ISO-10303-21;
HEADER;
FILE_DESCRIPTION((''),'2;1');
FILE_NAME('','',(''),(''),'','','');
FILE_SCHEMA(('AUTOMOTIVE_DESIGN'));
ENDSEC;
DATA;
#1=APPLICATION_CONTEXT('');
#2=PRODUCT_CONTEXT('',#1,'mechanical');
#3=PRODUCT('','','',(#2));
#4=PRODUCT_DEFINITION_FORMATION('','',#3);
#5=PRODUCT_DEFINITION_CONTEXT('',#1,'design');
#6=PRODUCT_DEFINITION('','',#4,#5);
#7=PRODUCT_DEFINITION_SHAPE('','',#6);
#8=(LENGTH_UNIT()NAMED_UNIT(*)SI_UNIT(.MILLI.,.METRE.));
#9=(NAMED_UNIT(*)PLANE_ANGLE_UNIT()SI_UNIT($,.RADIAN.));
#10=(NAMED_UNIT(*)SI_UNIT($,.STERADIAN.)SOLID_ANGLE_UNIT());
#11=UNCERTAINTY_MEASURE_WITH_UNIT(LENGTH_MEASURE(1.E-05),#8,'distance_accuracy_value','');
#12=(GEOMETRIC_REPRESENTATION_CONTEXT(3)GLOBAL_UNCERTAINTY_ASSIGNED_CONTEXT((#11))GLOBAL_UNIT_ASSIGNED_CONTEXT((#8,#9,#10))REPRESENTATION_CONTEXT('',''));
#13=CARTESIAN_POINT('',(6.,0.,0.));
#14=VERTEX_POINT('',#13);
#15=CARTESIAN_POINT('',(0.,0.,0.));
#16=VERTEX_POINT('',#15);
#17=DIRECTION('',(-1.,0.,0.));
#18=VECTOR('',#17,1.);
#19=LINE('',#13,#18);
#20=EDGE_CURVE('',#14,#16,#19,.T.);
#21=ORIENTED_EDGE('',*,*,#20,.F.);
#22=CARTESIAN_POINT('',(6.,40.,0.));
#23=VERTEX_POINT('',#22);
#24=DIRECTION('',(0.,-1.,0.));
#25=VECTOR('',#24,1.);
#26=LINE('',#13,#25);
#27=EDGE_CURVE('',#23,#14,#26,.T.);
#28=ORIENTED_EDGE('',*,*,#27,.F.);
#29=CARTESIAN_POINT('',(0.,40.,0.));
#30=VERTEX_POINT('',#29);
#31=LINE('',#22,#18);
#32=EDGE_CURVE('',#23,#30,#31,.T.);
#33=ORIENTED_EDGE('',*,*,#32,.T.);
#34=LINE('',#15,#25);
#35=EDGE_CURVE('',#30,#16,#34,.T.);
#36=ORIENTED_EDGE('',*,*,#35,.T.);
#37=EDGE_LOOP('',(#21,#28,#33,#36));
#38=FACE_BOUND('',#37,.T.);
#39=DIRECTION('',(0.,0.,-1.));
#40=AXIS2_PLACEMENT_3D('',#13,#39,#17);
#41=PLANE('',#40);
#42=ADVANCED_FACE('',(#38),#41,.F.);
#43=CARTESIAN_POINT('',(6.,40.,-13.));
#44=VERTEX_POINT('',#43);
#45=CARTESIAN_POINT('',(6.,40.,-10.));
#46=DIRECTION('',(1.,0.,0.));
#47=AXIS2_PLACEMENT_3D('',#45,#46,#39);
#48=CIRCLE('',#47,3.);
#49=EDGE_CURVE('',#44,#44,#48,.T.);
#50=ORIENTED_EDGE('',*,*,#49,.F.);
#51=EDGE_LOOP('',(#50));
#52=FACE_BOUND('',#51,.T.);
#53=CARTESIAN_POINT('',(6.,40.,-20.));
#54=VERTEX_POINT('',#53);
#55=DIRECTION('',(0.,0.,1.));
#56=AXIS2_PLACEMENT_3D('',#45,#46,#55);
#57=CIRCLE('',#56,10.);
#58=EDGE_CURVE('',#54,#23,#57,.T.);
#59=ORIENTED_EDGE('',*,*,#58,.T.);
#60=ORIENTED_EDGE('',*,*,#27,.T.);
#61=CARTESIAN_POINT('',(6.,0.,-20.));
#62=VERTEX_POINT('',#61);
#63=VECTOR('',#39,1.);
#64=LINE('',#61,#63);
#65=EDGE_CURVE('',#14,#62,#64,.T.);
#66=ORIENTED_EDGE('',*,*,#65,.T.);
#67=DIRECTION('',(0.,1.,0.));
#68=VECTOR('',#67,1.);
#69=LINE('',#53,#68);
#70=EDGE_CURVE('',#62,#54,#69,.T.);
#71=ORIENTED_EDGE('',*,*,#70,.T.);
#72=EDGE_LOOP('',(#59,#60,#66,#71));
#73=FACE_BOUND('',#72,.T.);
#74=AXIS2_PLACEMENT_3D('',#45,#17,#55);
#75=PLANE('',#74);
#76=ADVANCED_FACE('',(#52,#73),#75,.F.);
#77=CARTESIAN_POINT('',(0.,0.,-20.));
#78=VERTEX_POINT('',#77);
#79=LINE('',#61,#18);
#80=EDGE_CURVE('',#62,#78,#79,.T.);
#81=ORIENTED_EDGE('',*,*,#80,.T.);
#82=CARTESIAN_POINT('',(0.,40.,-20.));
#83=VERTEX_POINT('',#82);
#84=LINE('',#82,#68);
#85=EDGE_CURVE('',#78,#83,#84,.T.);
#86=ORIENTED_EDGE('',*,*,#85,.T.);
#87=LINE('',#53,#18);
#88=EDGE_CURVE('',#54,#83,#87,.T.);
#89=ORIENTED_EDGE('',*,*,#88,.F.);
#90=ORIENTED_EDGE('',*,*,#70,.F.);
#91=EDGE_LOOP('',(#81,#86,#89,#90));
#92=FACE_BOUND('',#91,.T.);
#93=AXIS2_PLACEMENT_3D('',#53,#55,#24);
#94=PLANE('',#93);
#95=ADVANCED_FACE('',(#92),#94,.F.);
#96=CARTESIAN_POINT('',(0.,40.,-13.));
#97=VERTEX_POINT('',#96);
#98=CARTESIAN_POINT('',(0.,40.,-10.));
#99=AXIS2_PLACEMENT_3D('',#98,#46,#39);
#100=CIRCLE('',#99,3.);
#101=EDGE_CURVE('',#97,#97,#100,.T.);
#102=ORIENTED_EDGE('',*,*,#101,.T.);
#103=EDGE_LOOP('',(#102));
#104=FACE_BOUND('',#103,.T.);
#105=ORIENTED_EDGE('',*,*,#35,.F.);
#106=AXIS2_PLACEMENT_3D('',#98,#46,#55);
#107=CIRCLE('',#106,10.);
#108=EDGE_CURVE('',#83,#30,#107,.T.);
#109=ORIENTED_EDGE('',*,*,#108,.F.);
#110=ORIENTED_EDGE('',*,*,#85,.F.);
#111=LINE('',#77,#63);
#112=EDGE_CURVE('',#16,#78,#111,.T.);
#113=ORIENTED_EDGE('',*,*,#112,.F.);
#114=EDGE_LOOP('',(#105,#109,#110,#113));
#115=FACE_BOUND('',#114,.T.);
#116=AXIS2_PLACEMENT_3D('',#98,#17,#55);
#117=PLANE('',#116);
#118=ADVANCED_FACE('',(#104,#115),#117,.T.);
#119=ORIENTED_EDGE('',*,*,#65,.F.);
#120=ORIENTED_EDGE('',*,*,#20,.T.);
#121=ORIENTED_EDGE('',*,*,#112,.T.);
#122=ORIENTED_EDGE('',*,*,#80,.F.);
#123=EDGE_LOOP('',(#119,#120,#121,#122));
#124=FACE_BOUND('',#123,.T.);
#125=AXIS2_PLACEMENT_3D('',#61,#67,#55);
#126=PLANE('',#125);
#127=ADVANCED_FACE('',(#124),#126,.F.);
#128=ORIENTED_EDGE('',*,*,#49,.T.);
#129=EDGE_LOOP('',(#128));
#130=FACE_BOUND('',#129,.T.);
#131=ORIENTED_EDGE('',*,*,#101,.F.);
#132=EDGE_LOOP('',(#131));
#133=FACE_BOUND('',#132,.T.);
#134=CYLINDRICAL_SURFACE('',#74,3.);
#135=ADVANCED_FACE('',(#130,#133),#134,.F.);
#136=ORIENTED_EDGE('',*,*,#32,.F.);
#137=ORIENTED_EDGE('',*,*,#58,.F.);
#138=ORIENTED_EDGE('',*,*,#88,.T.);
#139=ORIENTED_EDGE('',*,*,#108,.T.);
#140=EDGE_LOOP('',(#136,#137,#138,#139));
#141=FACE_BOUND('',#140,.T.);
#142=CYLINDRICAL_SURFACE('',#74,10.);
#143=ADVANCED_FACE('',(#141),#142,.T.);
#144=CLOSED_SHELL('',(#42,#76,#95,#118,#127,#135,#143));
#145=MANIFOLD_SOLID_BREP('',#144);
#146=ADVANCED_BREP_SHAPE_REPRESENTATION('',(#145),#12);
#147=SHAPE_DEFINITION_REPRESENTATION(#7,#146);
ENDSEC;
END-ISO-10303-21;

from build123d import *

# Parameters (mm, degrees)
SKETCH1_R           = 3
BOSS_EXTRUDE1_DEPTH = 6


with BuildPart() as part:
    # Sketch1 → Boss-Extrude1 (new body)
    with BuildSketch(Plane(origin=(0, 0, 0), x_dir=(0, 0, -1), z_dir=(1, 0, 0))):
        with BuildLine():
            Line((20, 40), (20, 0))
            Line((20, 0), (0, 0))
            Line((0, 0), (0, 40))
            ThreePointArc((0, 40), (10, 50), (20, 40))
        make_face()
        with Locations((10, 40)):
            Circle(SKETCH1_R, mode=Mode.SUBTRACT)
    extrude(amount=BOSS_EXTRUDE1_DEPTH)


solid = part.part
